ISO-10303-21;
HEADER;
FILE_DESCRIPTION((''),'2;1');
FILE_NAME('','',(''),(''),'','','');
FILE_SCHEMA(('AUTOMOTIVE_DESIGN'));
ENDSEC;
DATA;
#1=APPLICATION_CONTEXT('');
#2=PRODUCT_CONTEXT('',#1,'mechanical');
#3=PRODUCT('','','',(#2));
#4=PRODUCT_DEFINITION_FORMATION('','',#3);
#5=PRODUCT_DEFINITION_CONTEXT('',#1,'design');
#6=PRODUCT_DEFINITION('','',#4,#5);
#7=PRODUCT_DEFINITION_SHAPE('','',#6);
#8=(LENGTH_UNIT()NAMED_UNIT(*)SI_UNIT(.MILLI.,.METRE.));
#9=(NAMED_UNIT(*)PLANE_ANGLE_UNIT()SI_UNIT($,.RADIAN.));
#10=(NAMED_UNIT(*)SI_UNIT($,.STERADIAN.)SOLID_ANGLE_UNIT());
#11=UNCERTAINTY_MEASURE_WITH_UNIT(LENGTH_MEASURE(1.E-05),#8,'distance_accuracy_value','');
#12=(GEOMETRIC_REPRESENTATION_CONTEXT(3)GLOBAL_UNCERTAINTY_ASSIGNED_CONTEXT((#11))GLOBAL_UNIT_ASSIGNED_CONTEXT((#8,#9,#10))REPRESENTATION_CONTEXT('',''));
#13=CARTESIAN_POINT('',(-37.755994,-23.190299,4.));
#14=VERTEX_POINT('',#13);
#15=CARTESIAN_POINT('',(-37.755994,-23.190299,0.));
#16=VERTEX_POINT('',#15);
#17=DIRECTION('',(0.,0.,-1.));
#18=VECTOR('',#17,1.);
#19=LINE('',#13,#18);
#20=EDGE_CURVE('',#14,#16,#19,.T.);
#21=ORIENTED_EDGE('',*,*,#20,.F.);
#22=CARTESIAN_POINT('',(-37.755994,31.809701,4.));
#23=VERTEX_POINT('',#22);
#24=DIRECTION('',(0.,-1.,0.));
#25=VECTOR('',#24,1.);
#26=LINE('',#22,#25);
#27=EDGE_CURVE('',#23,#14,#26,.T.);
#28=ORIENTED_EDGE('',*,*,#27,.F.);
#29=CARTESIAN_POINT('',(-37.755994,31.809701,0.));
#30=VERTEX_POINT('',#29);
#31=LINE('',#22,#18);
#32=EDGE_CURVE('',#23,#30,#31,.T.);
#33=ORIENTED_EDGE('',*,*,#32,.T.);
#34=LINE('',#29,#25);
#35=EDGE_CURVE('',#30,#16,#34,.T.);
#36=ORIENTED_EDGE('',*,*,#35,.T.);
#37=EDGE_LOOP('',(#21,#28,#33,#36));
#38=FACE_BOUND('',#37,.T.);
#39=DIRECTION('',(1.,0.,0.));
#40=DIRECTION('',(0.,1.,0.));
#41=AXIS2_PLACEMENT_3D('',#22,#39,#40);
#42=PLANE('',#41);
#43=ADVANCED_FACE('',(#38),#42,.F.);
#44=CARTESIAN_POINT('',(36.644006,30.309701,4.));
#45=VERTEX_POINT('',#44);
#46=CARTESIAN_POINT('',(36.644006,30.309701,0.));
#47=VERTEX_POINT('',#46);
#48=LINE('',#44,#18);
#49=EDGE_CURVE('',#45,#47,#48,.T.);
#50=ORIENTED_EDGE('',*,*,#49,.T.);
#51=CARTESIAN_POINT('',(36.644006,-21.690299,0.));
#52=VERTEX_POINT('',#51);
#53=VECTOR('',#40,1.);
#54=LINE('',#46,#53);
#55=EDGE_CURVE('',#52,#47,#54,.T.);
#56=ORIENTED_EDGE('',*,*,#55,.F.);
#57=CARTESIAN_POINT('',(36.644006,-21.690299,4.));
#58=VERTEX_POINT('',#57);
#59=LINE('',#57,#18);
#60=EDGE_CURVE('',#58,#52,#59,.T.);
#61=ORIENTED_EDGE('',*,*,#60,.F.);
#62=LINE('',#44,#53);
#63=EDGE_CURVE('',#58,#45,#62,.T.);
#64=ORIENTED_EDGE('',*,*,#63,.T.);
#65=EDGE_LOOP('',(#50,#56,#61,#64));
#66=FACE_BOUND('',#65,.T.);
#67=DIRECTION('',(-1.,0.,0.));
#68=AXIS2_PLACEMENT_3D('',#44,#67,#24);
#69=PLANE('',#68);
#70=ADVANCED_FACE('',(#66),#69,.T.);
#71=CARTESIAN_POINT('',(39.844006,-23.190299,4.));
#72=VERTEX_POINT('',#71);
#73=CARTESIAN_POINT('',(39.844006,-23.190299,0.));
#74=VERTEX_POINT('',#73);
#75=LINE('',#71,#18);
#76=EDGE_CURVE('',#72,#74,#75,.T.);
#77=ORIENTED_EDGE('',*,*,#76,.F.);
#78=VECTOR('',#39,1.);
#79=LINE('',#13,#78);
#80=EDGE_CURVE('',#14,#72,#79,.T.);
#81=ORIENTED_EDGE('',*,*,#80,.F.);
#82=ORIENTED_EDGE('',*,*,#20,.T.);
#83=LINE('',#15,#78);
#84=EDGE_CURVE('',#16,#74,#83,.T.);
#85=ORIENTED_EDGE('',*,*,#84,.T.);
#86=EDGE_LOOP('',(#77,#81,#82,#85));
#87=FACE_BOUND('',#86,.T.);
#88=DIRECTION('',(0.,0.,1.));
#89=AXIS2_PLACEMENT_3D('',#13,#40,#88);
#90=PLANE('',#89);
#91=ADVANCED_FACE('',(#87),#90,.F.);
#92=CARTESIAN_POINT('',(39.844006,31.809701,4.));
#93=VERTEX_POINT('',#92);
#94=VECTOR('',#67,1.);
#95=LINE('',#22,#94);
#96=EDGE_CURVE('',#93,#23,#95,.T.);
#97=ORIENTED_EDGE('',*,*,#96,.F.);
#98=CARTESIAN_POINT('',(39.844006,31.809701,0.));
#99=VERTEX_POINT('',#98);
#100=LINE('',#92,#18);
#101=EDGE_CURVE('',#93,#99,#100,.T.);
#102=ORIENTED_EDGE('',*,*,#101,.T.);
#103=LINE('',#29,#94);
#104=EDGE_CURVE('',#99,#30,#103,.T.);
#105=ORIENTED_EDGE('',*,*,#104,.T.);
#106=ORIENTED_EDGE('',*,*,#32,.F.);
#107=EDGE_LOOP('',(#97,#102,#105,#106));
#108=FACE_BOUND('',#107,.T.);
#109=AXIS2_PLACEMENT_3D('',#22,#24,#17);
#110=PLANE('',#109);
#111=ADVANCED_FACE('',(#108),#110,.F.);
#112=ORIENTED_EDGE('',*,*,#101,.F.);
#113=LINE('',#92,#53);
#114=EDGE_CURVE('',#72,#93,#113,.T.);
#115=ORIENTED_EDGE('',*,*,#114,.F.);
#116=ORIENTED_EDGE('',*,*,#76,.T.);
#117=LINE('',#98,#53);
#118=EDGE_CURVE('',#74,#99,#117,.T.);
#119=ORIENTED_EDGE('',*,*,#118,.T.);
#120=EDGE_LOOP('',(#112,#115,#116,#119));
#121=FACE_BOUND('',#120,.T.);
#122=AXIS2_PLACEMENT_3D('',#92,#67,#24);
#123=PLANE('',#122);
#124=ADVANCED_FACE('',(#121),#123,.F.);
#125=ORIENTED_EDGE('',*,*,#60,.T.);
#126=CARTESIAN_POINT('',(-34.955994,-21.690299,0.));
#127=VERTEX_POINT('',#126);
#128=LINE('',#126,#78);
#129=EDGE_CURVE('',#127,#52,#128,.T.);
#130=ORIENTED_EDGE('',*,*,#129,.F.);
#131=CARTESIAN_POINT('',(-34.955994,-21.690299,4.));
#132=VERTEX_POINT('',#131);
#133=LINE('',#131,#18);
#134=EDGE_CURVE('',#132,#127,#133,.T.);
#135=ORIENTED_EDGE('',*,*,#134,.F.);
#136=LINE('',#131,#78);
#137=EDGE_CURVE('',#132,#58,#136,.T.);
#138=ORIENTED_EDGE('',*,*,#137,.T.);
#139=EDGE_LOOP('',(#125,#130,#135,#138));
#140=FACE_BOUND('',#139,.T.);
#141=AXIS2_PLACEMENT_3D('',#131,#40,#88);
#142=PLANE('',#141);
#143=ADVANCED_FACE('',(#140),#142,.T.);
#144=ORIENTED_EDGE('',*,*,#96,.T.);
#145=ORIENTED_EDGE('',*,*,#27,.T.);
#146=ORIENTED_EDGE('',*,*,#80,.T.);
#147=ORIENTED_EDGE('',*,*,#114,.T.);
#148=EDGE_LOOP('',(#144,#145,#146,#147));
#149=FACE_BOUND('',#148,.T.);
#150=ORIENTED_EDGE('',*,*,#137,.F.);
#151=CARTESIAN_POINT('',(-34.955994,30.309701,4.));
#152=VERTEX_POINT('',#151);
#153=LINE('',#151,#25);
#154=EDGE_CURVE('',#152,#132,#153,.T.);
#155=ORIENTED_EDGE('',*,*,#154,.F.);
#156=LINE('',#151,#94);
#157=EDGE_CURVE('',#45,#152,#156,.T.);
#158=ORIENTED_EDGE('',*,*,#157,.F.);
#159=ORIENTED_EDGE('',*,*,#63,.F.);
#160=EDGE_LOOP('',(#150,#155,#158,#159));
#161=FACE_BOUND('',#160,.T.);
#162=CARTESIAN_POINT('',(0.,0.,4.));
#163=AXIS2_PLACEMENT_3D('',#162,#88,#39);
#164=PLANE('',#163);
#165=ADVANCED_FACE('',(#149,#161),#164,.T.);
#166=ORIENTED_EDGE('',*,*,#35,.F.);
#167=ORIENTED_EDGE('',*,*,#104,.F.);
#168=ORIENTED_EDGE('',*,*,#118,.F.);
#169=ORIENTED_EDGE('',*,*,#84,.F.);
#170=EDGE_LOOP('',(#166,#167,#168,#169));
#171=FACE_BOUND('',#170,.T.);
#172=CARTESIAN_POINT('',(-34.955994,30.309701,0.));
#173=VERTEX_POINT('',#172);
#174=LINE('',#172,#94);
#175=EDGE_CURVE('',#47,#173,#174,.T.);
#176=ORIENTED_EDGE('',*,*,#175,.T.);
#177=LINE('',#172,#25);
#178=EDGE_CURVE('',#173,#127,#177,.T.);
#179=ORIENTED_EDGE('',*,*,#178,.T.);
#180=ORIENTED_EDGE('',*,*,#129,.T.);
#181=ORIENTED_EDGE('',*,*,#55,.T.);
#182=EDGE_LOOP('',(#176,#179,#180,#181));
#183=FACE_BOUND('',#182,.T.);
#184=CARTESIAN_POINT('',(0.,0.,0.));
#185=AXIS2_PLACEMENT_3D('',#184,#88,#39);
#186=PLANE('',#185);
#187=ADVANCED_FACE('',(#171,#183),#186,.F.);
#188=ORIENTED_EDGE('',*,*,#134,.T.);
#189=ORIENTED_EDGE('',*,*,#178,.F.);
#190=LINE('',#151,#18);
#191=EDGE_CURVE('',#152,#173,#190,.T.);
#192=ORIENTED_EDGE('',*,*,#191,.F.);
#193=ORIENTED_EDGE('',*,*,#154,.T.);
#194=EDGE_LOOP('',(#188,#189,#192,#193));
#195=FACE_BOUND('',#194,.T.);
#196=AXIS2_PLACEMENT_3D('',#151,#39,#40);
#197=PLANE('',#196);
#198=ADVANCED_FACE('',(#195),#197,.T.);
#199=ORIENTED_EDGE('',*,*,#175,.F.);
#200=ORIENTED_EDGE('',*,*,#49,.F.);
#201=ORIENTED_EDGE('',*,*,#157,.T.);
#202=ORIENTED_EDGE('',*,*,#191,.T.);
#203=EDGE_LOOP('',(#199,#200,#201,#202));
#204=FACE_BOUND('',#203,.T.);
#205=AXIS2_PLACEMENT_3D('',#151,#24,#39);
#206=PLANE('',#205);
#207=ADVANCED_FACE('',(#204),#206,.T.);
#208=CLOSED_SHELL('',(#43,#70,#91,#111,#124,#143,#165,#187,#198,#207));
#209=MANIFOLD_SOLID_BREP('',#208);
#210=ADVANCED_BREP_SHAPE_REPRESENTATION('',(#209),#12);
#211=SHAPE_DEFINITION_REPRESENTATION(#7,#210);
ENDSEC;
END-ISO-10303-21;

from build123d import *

# Parameters (mm, degrees)
SKIZZE1_W                       = 77.6
SKIZZE1_H                       = 55
SKIZZE1_W_2                     = 71.6
SKIZZE1_H_2                     = 52
AUFSATZ_LINEAR_AUSTRAGEN1_DEPTH = 4


with BuildPart() as part:
    # Skizze1 → Aufsatz-Linear austragen1 (new body)
    with BuildSketch(Plane.XY):
        with Locations((1.044006052, 4.309701493)):
            Rectangle(SKIZZE1_W, SKIZZE1_H)
        with Locations((0.844006052, 4.309701493)):
            Rectangle(SKIZZE1_W_2, SKIZZE1_H_2, mode=Mode.SUBTRACT)
    extrude(amount=AUFSATZ_LINEAR_AUSTRAGEN1_DEPTH)


solid = part.part
